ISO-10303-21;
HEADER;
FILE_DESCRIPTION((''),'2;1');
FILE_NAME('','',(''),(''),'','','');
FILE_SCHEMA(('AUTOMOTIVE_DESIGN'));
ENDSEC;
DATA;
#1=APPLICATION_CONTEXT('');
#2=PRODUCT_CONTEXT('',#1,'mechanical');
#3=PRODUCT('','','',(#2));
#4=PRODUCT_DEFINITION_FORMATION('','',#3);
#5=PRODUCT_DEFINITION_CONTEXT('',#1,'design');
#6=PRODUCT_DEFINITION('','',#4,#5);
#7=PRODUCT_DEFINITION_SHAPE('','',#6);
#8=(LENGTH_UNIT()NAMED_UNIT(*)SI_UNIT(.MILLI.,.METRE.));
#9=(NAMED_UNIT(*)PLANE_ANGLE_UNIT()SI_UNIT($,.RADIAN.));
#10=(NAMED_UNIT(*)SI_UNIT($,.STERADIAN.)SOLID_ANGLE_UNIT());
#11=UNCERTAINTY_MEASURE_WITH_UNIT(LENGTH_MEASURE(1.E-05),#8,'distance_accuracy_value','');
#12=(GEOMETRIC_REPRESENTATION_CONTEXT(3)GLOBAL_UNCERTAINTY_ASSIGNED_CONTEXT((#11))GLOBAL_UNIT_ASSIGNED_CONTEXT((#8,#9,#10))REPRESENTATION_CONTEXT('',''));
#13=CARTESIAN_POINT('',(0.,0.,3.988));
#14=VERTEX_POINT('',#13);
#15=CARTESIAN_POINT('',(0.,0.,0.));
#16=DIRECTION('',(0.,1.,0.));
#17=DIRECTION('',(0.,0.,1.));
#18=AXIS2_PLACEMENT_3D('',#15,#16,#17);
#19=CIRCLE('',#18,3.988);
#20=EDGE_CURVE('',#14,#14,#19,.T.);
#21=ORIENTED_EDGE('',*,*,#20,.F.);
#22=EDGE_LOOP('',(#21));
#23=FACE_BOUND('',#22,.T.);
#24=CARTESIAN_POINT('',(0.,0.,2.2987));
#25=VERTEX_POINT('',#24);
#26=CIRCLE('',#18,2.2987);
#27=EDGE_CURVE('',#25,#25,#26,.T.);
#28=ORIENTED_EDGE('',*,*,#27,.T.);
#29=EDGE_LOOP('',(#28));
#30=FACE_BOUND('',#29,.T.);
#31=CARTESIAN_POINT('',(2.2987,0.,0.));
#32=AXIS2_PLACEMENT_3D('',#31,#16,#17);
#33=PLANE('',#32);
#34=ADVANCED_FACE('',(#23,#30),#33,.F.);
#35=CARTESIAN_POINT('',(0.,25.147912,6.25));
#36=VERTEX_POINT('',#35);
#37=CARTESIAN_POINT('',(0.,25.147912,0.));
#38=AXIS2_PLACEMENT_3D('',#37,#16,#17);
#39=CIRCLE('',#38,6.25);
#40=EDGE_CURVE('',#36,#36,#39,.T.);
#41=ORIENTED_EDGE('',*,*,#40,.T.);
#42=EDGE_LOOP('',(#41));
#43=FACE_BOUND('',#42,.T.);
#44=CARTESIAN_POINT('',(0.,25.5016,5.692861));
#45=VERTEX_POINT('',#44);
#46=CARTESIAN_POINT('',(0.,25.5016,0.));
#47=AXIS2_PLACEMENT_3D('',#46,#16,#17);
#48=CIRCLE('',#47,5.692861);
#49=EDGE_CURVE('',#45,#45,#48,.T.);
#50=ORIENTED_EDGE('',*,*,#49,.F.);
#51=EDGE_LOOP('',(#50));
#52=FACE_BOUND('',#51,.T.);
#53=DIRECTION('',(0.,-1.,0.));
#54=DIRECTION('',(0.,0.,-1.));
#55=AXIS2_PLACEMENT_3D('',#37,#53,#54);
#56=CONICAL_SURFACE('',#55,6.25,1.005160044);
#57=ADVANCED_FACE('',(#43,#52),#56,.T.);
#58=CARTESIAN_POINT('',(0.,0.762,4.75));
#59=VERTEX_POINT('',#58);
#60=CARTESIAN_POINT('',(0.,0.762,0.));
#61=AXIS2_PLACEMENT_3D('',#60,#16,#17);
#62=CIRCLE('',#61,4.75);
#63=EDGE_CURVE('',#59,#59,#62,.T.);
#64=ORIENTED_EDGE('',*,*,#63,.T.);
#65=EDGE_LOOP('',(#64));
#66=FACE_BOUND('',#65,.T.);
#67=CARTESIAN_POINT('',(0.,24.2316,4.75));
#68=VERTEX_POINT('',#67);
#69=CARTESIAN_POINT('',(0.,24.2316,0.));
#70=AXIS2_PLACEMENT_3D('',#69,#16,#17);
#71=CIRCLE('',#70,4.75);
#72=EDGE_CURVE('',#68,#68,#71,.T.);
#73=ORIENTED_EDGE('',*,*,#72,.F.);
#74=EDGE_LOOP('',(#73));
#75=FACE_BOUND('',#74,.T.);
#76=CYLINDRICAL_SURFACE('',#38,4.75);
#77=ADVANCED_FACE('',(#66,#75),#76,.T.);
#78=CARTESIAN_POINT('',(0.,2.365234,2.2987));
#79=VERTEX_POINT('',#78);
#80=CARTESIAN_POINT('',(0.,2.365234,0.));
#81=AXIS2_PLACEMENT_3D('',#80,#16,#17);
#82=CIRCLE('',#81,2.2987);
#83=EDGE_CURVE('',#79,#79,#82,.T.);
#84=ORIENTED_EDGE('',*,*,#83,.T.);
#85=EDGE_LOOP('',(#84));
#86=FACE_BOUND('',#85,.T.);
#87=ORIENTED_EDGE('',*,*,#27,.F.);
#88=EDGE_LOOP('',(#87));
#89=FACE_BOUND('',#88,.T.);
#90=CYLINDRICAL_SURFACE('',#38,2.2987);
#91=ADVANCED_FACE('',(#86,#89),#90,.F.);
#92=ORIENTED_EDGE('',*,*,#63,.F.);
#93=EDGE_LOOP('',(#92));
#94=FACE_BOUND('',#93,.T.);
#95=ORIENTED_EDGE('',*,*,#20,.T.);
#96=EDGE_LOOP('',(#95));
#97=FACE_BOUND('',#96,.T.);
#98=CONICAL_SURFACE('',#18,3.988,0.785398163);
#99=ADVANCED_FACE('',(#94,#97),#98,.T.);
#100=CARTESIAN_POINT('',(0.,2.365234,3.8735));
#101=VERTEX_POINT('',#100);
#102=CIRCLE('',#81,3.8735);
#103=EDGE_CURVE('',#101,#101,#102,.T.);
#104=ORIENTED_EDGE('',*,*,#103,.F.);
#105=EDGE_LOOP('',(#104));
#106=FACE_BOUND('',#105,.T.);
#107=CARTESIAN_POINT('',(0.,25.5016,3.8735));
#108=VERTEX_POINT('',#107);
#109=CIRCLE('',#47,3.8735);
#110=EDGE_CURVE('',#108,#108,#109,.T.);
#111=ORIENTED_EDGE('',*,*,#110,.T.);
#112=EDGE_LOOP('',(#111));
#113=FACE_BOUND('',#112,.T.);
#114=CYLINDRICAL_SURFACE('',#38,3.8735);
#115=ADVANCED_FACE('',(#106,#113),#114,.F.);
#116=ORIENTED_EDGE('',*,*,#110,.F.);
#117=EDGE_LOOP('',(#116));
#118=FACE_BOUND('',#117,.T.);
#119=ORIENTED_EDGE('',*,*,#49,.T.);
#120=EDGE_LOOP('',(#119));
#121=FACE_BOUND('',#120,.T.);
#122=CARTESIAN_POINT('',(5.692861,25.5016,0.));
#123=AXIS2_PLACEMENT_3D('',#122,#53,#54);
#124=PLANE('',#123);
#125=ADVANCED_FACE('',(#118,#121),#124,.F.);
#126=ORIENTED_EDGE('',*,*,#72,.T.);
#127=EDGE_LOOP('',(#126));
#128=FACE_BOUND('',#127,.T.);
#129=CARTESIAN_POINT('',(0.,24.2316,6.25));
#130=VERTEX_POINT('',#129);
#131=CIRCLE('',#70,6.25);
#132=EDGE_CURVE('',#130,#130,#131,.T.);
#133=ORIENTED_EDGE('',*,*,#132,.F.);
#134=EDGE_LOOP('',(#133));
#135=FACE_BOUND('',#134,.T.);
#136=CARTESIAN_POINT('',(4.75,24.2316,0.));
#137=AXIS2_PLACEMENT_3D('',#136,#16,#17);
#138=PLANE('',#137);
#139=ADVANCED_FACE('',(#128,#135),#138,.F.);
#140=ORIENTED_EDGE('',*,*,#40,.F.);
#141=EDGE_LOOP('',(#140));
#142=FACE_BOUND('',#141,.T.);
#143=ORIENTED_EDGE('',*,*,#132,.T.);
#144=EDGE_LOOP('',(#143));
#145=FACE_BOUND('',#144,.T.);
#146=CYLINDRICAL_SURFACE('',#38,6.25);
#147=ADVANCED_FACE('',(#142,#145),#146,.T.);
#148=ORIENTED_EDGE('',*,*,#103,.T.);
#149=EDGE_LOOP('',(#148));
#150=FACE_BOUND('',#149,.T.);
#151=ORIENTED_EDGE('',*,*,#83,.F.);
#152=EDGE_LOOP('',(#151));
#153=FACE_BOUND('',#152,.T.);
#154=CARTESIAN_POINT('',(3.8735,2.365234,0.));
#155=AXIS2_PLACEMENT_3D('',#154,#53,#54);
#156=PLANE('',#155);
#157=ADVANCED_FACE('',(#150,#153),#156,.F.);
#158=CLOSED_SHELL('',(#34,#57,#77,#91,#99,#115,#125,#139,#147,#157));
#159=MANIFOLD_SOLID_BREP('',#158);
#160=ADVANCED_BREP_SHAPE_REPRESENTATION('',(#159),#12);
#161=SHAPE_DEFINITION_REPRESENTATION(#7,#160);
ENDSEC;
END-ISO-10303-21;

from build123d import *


with BuildPart() as part:
    # Sketch1 → Revolve1 (revolve)
    with BuildSketch(Plane.XY, mode=Mode.PRIVATE) as revolve1_sk:
        Polygon((2.2987, 0), (3.988, 0), (4.75, 0.762), (4.75, 24.2316), (6.25, 24.2316), (6.25, 25.147912088), (5.692861282, 25.5016), (3.8735, 25.5016), (3.8735, 2.365234385), (2.2987, 2.365234385), align=None)
    revolve(revolve1_sk.sketch.rotate(Axis((0, 25.147912088, 0), (0, -1, 0)), 90), axis=Axis((0, 25.147912088, 0), (0, -1, 0)))


solid = part.part
